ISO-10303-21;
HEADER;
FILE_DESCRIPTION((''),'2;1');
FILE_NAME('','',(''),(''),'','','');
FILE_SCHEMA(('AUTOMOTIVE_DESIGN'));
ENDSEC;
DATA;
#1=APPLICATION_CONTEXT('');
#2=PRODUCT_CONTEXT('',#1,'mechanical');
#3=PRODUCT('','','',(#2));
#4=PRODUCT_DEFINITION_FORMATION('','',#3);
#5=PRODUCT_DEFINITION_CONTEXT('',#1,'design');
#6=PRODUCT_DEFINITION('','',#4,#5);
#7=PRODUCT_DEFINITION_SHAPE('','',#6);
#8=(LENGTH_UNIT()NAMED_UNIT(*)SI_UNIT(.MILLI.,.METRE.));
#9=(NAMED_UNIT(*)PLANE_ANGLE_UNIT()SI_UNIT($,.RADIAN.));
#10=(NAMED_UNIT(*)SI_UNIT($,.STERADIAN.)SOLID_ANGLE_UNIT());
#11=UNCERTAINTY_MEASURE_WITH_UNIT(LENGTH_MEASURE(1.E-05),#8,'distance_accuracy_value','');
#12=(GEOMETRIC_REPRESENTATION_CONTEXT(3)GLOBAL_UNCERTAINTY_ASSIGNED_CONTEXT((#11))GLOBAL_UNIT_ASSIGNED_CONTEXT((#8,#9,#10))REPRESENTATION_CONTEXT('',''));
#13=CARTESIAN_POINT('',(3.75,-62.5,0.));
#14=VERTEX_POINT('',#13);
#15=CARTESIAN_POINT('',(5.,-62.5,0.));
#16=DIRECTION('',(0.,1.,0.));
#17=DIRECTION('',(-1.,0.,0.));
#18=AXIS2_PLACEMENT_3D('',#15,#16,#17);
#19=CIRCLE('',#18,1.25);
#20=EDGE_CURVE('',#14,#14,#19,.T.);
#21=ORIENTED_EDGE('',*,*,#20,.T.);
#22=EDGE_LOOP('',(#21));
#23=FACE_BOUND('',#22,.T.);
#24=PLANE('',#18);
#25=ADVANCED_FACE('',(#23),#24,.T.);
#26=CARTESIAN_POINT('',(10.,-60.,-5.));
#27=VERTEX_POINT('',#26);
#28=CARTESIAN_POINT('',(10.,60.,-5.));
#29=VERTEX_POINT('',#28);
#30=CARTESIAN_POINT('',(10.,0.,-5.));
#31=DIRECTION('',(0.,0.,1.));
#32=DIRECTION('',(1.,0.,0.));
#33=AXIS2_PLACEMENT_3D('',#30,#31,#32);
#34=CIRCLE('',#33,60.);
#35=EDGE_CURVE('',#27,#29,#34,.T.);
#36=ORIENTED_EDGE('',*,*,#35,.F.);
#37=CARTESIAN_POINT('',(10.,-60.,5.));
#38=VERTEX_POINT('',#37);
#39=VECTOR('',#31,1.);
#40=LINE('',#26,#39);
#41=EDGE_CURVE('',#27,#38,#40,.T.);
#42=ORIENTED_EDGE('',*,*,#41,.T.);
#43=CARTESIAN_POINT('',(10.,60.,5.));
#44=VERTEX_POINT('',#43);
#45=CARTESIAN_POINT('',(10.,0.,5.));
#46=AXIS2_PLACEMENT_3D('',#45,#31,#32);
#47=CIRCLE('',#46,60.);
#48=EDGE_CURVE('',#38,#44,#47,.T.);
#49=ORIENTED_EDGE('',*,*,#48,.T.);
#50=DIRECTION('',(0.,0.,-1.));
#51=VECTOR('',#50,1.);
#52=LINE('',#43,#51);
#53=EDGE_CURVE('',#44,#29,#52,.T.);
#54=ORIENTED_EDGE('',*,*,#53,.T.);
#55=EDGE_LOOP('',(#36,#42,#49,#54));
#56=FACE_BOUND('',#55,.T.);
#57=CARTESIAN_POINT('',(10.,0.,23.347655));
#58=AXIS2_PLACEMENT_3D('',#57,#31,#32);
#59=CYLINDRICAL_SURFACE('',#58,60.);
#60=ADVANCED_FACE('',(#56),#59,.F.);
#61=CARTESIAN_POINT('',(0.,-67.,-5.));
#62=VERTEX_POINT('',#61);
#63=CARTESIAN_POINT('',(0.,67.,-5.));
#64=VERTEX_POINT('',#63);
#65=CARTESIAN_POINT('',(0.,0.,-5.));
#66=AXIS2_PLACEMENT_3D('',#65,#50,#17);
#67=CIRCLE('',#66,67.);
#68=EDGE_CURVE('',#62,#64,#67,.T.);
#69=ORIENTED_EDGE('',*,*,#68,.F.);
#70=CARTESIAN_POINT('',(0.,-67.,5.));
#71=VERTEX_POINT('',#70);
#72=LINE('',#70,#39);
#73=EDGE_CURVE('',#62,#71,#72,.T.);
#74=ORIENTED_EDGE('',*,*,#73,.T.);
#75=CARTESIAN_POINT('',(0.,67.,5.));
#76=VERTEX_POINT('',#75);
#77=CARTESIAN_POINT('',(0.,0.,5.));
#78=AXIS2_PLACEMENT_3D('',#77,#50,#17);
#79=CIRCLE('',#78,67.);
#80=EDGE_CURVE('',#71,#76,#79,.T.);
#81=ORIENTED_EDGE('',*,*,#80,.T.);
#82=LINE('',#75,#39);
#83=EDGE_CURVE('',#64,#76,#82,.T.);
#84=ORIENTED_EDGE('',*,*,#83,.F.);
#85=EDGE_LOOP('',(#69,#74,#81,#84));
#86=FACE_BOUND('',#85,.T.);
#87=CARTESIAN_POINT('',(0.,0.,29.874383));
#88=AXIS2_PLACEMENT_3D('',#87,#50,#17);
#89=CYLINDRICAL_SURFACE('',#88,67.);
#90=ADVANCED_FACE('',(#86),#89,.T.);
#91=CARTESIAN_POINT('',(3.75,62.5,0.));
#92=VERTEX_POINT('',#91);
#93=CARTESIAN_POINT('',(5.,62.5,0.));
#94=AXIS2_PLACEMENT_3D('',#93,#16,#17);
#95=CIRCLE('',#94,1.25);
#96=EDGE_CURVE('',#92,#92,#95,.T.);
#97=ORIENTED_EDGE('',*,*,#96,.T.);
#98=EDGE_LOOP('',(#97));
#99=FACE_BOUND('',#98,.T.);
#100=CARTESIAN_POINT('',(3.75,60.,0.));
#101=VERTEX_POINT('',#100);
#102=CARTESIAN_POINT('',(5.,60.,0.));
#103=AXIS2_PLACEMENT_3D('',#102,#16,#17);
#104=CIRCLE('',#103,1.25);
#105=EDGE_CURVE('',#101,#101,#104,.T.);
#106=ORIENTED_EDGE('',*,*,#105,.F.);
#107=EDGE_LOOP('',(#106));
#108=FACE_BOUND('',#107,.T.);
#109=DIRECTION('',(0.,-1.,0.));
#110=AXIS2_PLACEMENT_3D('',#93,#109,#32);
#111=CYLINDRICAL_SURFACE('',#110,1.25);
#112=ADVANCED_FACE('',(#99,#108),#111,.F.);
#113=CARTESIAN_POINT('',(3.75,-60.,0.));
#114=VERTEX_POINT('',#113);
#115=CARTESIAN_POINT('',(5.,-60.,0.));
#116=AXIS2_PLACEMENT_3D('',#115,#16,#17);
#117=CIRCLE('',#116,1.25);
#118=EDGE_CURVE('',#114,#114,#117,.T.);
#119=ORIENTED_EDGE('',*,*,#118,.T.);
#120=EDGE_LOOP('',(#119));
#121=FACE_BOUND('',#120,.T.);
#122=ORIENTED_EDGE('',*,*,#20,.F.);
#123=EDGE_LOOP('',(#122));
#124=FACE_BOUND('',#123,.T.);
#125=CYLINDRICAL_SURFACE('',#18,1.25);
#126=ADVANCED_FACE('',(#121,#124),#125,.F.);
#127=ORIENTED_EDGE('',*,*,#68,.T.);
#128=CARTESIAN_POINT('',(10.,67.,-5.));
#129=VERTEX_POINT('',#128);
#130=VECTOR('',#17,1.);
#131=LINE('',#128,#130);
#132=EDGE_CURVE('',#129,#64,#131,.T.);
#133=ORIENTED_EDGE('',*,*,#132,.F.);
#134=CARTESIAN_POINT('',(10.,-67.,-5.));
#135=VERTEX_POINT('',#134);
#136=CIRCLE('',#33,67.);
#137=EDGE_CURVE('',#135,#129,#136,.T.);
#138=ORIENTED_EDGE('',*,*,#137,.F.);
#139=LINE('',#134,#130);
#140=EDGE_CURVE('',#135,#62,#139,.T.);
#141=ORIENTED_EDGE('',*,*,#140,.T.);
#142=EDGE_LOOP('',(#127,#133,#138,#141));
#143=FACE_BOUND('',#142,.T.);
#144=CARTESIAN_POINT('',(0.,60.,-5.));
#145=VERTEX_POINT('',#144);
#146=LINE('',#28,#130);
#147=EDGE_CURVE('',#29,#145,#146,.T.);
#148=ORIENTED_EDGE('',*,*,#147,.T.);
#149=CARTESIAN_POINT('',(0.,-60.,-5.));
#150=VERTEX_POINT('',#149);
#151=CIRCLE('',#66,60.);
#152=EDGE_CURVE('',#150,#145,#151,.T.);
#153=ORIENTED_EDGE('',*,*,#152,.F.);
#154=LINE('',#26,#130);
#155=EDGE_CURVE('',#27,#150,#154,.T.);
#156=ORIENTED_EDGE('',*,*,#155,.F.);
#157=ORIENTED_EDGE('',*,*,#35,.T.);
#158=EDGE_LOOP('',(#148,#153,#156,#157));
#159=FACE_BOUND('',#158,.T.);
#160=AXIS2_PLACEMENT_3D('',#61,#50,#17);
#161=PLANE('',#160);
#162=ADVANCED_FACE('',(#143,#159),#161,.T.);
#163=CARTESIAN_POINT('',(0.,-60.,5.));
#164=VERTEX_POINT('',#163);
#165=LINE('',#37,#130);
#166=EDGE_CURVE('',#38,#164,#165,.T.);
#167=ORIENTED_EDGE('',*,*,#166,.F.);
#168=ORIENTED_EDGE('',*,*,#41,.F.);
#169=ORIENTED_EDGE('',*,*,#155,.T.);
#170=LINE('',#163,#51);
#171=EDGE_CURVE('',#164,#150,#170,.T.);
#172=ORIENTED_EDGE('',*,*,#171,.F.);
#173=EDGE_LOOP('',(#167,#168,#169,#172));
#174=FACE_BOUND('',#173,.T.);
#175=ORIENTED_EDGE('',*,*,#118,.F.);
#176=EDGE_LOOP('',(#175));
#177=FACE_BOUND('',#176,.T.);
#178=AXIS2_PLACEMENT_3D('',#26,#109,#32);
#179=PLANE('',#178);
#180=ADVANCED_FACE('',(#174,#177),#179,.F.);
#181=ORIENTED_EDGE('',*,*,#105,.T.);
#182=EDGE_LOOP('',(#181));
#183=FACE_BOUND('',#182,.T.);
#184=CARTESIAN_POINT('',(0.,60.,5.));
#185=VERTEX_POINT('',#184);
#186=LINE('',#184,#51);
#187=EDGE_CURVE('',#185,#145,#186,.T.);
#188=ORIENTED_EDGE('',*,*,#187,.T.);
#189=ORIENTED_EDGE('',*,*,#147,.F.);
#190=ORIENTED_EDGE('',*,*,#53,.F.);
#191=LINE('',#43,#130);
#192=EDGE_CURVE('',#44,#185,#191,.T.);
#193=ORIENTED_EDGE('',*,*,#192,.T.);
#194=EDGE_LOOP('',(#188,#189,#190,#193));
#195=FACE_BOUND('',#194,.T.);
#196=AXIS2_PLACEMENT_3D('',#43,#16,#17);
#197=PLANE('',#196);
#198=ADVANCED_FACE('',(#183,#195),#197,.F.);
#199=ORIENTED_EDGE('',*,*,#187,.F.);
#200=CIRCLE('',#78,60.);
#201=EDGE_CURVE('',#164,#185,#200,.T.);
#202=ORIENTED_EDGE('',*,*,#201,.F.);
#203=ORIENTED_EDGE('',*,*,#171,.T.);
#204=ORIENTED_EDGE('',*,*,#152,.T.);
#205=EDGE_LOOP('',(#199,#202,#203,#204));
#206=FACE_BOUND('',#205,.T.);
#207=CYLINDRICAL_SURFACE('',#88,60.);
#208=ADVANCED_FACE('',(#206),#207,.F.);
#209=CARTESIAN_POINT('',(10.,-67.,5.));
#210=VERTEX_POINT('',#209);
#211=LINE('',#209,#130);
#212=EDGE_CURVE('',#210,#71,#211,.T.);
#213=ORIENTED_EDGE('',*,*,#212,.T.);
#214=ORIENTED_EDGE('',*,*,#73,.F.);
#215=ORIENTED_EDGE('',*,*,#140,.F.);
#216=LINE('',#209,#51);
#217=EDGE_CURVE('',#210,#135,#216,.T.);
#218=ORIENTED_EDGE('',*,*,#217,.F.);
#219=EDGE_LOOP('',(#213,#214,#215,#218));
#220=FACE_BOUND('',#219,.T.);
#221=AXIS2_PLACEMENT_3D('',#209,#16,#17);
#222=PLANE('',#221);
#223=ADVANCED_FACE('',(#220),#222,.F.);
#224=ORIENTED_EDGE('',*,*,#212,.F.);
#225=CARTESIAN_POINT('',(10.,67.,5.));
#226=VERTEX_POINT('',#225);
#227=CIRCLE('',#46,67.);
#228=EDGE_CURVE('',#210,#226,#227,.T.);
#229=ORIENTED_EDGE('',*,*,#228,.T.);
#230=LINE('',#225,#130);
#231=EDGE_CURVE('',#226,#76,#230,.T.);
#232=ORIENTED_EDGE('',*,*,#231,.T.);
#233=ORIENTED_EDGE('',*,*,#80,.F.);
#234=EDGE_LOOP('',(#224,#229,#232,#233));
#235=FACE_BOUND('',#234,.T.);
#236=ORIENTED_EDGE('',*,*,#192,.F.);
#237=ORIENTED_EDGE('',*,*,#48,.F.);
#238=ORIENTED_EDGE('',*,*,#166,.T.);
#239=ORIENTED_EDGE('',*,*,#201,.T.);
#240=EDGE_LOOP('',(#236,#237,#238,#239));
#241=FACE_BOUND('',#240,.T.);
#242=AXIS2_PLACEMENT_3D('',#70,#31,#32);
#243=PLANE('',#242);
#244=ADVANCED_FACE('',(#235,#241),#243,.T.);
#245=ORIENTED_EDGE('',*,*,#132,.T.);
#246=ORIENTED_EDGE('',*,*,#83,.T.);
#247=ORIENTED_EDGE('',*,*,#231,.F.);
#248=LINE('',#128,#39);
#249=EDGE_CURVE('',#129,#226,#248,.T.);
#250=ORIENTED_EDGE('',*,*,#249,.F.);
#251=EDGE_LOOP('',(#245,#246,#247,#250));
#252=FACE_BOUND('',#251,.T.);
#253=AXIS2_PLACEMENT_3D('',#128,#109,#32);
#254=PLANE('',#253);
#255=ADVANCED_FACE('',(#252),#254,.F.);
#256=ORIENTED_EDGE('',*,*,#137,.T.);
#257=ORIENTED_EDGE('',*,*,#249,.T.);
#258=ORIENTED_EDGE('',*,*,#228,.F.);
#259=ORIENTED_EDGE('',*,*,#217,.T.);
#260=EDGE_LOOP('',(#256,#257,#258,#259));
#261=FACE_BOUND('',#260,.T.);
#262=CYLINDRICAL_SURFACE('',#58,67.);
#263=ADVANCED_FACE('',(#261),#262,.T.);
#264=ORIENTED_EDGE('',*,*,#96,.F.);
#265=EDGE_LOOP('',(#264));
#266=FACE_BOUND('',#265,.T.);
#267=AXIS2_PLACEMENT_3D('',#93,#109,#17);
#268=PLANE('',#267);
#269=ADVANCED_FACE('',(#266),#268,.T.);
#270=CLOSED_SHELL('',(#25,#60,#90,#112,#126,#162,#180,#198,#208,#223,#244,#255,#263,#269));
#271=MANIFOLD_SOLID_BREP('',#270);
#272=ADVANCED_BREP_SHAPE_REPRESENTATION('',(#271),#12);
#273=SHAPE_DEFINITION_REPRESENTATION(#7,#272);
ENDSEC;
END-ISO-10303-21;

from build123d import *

# Parameters (mm, degrees)
SKETCH1_W           = 10
SKETCH1_H           = 7
REVOLVE1_ANGLE      = 180
SKETCH2_W           = 10
SKETCH2_H           = 7
BOSS_EXTRUDE1_DEPTH = 10
SKETCH4_W           = 10
SKETCH4_H           = 7
REVOLVE3_ANGLE      = 180
SKETCH5_R           = 1.25
CUT_EXTRUDE1_DEPTH  = 2.5


with BuildPart() as part:
    # Sketch1 → Revolve1 (revolve)
    with BuildSketch(Plane(origin=(0, 0, 0), x_dir=(0, 0, -1), z_dir=(1, 0, 0))):
        with Locations((0, 63.5)):
            Rectangle(SKETCH1_W, SKETCH1_H)
    revolve(axis=Axis((0, 0, 29.874383247), (0, 0, 1)), revolution_arc=REVOLVE1_ANGLE)

    # Sketch2 → Boss-Extrude1 (add)
    with BuildSketch(Plane(origin=(0, 0, 0), x_dir=(0, 0, -1), z_dir=(1, 0, 0))):
        with Locations((0, 63.5)):
            Rectangle(SKETCH2_W, SKETCH2_H)
        with Locations((0, -63.5)):
            Rectangle(SKETCH2_W, SKETCH2_H)
    extrude(amount=BOSS_EXTRUDE1_DEPTH)

    # Sketch4 → Revolve3 (revolve)
    with BuildSketch(Plane(origin=(10, 0, 0), x_dir=(0, 0, -1), z_dir=(1, 0, 0))):
        with Locations((0, 63.5)):
            Rectangle(SKETCH4_W, SKETCH4_H)
    revolve(axis=Axis((10, 0, 23.347655249), (0, 0, -1)), revolution_arc=REVOLVE3_ANGLE)

    # Sketch5 → Cut-Extrude1 (cut)
    with BuildSketch(Plane(origin=(0, -60, 0), x_dir=(1, 0, 0), z_dir=(0, 1, 0))):
        with Locations((5, 0)):
            Circle(SKETCH5_R)
    cut_extrude1 = extrude(amount=-CUT_EXTRUDE1_DEPTH, mode=Mode.SUBTRACT)

    # Mirror1: Cut-Extrude1 across plane
    add(cut_extrude1.mirror(Plane.ZX), mode=Mode.SUBTRACT)


solid = part.part
